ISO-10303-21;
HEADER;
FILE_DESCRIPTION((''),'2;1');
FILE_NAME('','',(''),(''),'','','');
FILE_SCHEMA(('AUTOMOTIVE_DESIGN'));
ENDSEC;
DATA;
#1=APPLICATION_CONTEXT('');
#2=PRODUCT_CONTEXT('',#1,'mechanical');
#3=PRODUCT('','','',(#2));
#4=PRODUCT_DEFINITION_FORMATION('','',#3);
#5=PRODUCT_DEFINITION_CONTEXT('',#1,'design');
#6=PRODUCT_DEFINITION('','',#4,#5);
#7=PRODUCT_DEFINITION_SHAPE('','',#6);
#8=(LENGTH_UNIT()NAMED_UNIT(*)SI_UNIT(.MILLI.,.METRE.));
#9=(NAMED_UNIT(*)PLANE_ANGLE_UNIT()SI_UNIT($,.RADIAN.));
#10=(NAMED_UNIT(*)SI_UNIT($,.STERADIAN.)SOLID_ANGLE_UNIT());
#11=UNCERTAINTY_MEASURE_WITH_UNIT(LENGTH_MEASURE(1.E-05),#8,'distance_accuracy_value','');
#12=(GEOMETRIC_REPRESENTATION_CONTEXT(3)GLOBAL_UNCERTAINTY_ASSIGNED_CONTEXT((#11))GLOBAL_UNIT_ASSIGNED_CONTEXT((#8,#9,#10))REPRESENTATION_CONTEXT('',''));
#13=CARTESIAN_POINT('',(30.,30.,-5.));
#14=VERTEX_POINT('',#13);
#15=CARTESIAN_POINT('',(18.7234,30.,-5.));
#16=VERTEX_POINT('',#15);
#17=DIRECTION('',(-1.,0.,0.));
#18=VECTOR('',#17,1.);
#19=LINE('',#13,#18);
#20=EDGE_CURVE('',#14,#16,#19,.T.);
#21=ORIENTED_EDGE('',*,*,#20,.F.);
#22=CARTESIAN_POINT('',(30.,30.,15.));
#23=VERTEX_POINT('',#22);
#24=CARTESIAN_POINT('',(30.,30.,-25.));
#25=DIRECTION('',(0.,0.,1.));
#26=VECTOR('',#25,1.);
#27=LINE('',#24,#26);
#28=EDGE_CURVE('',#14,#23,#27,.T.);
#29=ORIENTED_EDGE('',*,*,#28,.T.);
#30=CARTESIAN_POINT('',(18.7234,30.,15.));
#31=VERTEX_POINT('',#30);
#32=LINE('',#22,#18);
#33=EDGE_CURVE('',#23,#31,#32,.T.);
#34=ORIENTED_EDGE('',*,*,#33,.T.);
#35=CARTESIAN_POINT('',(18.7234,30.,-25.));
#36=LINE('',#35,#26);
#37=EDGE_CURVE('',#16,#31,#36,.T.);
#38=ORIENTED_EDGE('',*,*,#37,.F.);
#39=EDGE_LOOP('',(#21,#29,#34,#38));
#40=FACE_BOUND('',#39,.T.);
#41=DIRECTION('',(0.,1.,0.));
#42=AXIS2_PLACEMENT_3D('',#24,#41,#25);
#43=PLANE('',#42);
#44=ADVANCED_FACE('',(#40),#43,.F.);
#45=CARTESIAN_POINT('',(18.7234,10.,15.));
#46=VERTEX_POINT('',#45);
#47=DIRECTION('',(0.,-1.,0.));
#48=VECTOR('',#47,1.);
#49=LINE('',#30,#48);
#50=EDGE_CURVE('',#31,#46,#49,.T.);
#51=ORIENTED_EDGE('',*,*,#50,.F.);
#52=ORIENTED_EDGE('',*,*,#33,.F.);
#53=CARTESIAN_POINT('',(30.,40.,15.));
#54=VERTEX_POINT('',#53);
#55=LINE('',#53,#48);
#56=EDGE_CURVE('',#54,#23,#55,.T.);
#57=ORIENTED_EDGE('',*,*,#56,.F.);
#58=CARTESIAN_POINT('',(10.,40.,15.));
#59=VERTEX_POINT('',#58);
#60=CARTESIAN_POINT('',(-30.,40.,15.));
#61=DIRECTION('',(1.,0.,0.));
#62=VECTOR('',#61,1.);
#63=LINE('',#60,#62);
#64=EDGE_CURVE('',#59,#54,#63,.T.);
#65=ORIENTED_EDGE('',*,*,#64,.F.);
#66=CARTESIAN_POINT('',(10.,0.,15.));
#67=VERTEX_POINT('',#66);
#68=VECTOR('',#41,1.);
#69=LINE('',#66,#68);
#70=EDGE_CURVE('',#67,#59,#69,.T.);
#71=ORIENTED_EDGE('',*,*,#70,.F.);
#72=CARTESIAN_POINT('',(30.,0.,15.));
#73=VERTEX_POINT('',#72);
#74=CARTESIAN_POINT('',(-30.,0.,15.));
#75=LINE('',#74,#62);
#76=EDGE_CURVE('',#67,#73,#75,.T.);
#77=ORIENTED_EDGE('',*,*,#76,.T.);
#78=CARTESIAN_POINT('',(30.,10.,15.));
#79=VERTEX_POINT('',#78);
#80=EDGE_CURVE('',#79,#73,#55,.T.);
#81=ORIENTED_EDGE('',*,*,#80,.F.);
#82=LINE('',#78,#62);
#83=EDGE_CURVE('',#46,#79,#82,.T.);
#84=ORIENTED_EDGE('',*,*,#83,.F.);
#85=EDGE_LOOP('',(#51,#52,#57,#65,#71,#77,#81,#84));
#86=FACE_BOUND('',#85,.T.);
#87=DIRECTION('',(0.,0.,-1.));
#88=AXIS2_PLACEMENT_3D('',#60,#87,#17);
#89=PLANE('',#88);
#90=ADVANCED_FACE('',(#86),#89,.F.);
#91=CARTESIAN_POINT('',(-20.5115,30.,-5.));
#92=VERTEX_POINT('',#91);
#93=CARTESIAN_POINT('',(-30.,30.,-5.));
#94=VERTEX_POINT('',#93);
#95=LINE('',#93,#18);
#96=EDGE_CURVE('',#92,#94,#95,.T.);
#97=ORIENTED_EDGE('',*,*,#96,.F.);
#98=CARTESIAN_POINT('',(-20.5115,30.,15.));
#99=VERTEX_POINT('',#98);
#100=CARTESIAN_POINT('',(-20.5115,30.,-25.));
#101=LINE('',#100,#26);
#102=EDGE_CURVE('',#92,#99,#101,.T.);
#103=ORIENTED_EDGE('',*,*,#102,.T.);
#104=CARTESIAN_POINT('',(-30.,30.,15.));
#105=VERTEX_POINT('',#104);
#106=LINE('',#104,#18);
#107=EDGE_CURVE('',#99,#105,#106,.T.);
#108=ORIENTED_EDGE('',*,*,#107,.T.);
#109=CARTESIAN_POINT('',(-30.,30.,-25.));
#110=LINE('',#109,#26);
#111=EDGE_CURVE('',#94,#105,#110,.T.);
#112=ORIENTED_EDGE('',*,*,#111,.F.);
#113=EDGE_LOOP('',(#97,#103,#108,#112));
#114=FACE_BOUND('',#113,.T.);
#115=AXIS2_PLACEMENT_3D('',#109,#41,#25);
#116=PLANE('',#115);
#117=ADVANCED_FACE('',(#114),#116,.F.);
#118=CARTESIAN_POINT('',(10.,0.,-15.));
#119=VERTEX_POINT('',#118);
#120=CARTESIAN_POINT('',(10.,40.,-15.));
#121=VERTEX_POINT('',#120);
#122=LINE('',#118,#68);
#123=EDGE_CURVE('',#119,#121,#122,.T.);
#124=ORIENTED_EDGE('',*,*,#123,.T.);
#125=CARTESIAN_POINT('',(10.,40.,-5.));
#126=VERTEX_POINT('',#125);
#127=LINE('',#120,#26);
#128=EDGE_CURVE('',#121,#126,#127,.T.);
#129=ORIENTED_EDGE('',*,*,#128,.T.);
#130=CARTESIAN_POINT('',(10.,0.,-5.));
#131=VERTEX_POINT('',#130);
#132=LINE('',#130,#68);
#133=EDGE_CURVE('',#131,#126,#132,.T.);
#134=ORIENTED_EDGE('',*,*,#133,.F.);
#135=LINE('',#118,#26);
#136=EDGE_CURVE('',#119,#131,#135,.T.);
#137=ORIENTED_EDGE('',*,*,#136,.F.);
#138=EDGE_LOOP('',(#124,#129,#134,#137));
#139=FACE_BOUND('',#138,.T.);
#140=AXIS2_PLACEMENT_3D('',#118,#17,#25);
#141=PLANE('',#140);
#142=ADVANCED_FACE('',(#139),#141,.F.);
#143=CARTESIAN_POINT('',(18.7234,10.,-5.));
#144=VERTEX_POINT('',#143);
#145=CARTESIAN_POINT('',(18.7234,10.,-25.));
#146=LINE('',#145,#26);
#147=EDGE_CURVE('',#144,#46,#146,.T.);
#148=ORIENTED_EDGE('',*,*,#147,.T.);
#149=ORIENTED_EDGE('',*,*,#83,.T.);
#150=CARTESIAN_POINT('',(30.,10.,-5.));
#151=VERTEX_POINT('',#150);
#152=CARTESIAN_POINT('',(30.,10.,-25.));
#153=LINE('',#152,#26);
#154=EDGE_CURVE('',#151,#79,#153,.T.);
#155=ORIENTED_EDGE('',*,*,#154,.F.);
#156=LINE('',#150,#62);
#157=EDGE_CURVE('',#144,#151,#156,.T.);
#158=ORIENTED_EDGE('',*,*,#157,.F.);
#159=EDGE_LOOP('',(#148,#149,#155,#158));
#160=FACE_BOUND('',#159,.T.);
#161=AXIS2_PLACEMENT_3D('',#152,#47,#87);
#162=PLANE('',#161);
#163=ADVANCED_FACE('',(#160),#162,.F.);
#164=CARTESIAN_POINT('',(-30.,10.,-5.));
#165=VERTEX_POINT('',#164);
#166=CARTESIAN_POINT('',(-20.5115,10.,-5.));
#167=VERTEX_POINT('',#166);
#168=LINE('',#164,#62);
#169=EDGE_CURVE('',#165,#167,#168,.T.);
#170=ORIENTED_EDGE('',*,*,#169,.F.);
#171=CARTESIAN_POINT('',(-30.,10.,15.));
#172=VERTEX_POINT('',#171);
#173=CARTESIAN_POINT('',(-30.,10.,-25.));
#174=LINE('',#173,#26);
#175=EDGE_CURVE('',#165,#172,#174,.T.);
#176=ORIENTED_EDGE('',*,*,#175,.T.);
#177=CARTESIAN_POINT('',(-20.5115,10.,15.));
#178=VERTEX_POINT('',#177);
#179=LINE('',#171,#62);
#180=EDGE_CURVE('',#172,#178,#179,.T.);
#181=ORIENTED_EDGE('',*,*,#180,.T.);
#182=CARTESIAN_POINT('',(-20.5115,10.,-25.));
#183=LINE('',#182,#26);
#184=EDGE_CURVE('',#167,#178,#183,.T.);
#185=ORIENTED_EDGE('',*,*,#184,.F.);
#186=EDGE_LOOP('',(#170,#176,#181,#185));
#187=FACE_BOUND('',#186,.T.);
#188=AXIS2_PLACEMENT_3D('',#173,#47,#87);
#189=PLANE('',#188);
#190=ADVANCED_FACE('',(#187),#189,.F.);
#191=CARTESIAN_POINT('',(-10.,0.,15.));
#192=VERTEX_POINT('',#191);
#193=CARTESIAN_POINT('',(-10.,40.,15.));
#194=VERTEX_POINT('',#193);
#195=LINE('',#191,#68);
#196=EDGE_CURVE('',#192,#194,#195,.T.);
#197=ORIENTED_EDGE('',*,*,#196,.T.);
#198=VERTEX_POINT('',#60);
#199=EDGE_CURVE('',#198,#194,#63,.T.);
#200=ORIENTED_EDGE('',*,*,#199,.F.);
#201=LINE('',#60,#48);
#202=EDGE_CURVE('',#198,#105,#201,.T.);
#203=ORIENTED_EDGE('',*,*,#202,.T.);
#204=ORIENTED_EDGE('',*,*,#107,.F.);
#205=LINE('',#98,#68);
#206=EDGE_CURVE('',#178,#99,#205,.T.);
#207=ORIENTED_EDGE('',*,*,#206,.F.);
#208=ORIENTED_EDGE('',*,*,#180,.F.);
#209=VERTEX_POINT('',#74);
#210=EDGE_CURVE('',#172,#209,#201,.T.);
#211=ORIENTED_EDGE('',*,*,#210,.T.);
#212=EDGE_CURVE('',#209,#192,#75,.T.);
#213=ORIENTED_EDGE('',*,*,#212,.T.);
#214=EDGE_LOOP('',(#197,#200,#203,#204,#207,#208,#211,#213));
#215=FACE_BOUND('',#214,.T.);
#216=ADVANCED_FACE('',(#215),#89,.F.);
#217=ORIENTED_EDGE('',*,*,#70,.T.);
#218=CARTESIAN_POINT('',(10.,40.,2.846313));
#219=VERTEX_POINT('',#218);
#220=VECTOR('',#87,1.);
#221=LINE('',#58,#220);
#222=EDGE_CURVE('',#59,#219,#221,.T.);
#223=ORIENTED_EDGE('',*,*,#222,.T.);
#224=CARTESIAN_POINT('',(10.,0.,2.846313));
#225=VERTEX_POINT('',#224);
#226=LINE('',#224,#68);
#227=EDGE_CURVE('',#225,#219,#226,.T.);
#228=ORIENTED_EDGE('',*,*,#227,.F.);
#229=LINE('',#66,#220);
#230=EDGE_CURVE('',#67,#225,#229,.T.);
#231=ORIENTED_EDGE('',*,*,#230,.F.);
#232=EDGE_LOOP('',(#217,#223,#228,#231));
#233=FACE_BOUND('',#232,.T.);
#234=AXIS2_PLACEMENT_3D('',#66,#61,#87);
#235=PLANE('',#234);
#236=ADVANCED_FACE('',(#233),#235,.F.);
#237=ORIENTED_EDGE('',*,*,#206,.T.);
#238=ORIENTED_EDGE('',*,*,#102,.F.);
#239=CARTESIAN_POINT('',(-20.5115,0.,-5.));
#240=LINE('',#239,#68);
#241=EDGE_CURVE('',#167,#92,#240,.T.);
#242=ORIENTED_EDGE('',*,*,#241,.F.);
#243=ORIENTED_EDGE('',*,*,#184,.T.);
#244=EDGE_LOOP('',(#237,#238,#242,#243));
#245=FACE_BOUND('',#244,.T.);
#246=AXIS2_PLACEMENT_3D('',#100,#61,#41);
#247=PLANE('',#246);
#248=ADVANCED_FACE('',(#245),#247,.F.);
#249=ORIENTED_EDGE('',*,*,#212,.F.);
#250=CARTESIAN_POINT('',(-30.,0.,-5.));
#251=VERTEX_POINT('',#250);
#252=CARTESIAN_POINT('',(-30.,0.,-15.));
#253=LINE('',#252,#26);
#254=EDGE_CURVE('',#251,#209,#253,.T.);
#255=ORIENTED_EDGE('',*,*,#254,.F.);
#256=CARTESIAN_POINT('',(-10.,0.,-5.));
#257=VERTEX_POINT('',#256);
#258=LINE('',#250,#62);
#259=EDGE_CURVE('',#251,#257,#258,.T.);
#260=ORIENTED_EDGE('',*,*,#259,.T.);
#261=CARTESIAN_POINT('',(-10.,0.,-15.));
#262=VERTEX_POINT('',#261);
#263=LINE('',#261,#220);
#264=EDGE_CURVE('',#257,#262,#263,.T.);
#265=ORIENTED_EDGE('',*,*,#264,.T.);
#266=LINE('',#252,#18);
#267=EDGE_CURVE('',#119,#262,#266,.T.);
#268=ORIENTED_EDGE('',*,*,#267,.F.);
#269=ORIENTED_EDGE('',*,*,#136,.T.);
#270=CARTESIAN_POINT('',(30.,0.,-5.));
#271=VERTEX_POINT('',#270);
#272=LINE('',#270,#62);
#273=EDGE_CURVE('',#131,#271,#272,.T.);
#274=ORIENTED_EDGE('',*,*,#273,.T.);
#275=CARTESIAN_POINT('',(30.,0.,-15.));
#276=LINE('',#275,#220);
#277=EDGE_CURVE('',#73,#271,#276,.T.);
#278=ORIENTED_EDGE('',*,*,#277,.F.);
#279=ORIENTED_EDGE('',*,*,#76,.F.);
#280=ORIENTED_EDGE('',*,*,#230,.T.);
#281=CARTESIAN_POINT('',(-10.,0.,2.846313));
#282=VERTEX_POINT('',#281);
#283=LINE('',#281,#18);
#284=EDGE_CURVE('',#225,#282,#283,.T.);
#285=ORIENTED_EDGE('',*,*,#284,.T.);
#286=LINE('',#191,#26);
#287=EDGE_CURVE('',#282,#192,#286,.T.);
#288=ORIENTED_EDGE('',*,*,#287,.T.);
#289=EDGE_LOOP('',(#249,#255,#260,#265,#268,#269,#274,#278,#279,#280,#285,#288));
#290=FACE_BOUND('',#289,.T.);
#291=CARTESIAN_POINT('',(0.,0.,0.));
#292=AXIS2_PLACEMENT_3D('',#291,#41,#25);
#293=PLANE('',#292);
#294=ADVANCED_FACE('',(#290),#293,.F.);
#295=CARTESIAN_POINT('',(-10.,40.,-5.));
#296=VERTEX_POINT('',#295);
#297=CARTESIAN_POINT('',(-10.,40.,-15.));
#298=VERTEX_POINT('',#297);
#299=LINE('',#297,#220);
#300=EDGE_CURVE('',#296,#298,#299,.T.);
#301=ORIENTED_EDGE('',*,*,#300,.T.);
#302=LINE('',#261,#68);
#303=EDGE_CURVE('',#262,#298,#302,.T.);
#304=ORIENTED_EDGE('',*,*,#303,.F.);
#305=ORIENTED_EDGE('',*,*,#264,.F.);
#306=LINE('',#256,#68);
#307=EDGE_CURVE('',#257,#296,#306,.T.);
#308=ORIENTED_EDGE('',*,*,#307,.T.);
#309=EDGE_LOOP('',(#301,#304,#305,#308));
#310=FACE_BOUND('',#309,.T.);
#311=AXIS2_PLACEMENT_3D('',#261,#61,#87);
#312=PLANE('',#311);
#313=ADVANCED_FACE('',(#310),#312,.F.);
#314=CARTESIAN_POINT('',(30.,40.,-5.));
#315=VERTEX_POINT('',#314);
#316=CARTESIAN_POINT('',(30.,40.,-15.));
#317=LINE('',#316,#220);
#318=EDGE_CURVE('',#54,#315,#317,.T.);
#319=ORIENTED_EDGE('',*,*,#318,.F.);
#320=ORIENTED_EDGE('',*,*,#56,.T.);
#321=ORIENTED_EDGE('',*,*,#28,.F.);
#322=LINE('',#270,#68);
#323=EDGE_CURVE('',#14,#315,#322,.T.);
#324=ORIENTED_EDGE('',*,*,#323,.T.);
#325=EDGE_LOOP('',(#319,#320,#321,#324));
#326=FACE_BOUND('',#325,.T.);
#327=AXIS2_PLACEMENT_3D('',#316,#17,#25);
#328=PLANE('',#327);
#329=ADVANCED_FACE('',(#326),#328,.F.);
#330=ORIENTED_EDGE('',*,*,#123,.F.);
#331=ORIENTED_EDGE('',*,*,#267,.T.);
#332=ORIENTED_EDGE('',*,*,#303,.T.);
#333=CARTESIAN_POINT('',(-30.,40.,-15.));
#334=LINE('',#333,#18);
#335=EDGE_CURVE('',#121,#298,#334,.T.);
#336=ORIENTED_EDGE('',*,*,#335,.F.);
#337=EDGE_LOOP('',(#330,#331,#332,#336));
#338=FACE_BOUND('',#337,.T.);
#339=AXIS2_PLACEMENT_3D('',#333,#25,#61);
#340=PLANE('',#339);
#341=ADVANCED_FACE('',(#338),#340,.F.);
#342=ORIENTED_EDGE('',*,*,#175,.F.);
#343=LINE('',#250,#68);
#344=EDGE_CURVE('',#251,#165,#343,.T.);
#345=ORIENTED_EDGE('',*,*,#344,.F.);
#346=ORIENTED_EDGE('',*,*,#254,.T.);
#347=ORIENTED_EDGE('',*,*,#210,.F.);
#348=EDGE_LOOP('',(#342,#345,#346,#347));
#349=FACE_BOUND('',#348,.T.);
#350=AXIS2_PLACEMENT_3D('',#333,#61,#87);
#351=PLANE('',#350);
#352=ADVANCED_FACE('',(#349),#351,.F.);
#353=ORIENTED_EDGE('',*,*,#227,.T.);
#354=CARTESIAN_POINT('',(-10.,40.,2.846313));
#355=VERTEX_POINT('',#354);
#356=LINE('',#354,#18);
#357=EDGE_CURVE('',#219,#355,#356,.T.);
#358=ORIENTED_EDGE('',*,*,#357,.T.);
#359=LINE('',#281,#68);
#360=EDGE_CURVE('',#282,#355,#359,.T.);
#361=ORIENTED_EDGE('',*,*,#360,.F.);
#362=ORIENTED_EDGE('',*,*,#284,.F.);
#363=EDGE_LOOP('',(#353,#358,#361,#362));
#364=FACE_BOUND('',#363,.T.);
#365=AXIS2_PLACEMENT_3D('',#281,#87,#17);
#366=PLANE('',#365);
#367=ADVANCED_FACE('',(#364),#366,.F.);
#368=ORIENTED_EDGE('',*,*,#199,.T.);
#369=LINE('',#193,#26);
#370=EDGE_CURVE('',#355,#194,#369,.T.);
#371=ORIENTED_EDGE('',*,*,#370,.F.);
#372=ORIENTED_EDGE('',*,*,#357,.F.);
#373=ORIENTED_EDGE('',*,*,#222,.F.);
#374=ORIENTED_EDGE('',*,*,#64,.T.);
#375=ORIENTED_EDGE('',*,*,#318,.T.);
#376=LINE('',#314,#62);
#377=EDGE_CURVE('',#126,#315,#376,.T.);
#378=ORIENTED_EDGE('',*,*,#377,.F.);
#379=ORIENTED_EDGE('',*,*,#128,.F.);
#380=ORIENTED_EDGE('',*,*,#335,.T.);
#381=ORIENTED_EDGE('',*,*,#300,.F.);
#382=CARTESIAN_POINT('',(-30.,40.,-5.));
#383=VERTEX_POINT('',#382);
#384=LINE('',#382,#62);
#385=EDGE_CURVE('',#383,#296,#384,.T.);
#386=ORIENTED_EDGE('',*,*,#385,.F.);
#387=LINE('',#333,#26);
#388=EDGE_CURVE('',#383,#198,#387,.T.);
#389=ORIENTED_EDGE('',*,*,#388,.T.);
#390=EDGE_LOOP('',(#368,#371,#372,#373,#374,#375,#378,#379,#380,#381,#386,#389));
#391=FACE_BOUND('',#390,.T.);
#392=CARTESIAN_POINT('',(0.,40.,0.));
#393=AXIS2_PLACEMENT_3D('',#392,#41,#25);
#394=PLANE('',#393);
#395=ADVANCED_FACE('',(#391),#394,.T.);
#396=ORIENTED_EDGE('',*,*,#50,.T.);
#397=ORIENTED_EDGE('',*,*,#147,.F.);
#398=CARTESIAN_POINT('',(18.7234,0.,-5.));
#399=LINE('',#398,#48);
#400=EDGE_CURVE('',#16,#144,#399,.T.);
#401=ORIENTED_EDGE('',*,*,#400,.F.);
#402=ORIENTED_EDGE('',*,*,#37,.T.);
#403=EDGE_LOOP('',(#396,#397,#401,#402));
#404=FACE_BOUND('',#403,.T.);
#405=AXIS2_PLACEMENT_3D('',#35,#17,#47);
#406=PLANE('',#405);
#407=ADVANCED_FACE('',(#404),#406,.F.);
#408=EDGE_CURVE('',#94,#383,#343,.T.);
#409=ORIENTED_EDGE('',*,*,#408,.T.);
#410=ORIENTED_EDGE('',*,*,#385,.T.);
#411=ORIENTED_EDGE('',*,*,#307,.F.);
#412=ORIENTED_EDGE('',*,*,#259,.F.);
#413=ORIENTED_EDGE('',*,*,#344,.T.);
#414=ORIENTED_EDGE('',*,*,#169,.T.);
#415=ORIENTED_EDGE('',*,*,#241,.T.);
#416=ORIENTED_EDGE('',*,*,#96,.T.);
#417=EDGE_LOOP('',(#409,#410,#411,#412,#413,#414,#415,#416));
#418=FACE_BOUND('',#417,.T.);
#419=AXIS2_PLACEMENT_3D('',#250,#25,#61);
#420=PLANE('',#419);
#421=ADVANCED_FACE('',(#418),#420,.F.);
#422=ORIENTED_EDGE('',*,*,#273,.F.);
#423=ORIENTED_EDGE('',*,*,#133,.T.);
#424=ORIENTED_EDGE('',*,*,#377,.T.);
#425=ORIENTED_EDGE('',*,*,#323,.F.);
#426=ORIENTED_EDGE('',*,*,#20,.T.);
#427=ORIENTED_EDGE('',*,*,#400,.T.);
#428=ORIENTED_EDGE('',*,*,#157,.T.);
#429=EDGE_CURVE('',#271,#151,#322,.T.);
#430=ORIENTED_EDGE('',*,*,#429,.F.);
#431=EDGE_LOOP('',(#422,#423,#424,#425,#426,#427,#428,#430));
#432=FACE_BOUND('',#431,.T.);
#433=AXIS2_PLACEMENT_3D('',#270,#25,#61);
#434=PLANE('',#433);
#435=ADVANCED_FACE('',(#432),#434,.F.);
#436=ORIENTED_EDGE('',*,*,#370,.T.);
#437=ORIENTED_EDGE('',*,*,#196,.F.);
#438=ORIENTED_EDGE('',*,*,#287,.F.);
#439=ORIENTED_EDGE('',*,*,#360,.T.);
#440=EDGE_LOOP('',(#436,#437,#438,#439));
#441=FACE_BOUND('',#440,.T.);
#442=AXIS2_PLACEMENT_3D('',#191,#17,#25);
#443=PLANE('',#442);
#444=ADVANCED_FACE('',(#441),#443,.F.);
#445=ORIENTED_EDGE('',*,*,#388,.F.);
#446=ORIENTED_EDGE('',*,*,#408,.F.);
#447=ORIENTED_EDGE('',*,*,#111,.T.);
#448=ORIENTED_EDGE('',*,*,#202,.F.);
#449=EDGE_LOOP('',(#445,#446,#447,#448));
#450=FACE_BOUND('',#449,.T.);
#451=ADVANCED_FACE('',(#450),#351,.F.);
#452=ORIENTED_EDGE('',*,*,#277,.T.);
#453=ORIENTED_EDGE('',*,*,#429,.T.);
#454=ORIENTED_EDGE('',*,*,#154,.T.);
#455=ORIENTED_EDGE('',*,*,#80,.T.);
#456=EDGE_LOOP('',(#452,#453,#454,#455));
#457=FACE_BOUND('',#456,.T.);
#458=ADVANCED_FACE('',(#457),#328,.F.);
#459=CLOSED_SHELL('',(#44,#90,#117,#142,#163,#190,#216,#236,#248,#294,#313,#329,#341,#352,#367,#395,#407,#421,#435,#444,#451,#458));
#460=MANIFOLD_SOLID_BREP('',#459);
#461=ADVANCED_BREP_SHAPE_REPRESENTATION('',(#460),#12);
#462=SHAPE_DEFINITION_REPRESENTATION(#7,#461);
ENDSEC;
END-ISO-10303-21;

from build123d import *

# Parameters (mm, degrees)
CROQUIS1_W              = 60
CROQUIS1_H              = 30
SALIENTE_EXTRUIR2_DEPTH = 40
CROQUIS2_W              = 20
CROQUIS2_H              = 12.153687435
CORTAR_EXTRUIR1_DEPTH   = 41
CROQUIS3_W              = 20
CROQUIS3_H              = 10
CORTAR_EXTRUIR2_DEPTH   = 41
CROQUIS4_W              = 20
CROQUIS4_H              = 10
CORTAR_EXTRUIR3_DEPTH   = 41
CROQUIS5_W              = 11.276599724
CROQUIS5_H              = 20
CORTAR_EXTRUIR4_DEPTH   = 40
CROQUIS6_W              = 9.488499603
CROQUIS6_H              = 20
CORTAR_EXTRUIR5_DEPTH   = 40


with BuildPart() as part:
    # Croquis1 → Saliente-Extruir2 (new body)
    with BuildSketch(Plane(origin=(0, 0, 0), x_dir=(1, 0, 0), z_dir=(0, 1, 0))):
        Rectangle(CROQUIS1_W, CROQUIS1_H)
    extrude(amount=SALIENTE_EXTRUIR2_DEPTH)

    # Croquis2 → Cortar-Extruir1 (cut, through all)
    with BuildSketch(Plane(origin=(0, 40, 0), x_dir=(1, 0, 0), z_dir=(0, 1, 0))):
        with Locations((0, -8.923156283)):
            Rectangle(CROQUIS2_W, CROQUIS2_H)
    extrude(amount=-CORTAR_EXTRUIR1_DEPTH, mode=Mode.SUBTRACT)

    # Croquis3 → Cortar-Extruir2 (cut, through all)
    with BuildSketch(Plane(origin=(0, 40, 0), x_dir=(1, 0, 0), z_dir=(0, 1, 0))):
        with Locations((-20, 10)):
            Rectangle(CROQUIS3_W, CROQUIS3_H)
    extrude(amount=-CORTAR_EXTRUIR2_DEPTH, mode=Mode.SUBTRACT)

    # Croquis4 → Cortar-Extruir3 (cut, through all)
    with BuildSketch(Plane(origin=(0, 40, 0), x_dir=(1, 0, 0), z_dir=(0, 1, 0))):
        with Locations((20, 10)):
            Rectangle(CROQUIS4_W, CROQUIS4_H)
    extrude(amount=-CORTAR_EXTRUIR3_DEPTH, mode=Mode.SUBTRACT)

    # Croquis5 → Cortar-Extruir4 (cut)
    with BuildSketch(Plane.XY.offset(15)):
        with Locations((24.361700138, 20)):
            Rectangle(CROQUIS5_W, CROQUIS5_H)
    extrude(amount=-CORTAR_EXTRUIR4_DEPTH, mode=Mode.SUBTRACT)

    # Croquis6 → Cortar-Extruir5 (cut)
    with BuildSketch(Plane.XY.offset(15)):
        with Locations((-25.255750199, 20)):
            Rectangle(CROQUIS6_W, CROQUIS6_H)
    extrude(amount=-CORTAR_EXTRUIR5_DEPTH, mode=Mode.SUBTRACT)


solid = part.part
